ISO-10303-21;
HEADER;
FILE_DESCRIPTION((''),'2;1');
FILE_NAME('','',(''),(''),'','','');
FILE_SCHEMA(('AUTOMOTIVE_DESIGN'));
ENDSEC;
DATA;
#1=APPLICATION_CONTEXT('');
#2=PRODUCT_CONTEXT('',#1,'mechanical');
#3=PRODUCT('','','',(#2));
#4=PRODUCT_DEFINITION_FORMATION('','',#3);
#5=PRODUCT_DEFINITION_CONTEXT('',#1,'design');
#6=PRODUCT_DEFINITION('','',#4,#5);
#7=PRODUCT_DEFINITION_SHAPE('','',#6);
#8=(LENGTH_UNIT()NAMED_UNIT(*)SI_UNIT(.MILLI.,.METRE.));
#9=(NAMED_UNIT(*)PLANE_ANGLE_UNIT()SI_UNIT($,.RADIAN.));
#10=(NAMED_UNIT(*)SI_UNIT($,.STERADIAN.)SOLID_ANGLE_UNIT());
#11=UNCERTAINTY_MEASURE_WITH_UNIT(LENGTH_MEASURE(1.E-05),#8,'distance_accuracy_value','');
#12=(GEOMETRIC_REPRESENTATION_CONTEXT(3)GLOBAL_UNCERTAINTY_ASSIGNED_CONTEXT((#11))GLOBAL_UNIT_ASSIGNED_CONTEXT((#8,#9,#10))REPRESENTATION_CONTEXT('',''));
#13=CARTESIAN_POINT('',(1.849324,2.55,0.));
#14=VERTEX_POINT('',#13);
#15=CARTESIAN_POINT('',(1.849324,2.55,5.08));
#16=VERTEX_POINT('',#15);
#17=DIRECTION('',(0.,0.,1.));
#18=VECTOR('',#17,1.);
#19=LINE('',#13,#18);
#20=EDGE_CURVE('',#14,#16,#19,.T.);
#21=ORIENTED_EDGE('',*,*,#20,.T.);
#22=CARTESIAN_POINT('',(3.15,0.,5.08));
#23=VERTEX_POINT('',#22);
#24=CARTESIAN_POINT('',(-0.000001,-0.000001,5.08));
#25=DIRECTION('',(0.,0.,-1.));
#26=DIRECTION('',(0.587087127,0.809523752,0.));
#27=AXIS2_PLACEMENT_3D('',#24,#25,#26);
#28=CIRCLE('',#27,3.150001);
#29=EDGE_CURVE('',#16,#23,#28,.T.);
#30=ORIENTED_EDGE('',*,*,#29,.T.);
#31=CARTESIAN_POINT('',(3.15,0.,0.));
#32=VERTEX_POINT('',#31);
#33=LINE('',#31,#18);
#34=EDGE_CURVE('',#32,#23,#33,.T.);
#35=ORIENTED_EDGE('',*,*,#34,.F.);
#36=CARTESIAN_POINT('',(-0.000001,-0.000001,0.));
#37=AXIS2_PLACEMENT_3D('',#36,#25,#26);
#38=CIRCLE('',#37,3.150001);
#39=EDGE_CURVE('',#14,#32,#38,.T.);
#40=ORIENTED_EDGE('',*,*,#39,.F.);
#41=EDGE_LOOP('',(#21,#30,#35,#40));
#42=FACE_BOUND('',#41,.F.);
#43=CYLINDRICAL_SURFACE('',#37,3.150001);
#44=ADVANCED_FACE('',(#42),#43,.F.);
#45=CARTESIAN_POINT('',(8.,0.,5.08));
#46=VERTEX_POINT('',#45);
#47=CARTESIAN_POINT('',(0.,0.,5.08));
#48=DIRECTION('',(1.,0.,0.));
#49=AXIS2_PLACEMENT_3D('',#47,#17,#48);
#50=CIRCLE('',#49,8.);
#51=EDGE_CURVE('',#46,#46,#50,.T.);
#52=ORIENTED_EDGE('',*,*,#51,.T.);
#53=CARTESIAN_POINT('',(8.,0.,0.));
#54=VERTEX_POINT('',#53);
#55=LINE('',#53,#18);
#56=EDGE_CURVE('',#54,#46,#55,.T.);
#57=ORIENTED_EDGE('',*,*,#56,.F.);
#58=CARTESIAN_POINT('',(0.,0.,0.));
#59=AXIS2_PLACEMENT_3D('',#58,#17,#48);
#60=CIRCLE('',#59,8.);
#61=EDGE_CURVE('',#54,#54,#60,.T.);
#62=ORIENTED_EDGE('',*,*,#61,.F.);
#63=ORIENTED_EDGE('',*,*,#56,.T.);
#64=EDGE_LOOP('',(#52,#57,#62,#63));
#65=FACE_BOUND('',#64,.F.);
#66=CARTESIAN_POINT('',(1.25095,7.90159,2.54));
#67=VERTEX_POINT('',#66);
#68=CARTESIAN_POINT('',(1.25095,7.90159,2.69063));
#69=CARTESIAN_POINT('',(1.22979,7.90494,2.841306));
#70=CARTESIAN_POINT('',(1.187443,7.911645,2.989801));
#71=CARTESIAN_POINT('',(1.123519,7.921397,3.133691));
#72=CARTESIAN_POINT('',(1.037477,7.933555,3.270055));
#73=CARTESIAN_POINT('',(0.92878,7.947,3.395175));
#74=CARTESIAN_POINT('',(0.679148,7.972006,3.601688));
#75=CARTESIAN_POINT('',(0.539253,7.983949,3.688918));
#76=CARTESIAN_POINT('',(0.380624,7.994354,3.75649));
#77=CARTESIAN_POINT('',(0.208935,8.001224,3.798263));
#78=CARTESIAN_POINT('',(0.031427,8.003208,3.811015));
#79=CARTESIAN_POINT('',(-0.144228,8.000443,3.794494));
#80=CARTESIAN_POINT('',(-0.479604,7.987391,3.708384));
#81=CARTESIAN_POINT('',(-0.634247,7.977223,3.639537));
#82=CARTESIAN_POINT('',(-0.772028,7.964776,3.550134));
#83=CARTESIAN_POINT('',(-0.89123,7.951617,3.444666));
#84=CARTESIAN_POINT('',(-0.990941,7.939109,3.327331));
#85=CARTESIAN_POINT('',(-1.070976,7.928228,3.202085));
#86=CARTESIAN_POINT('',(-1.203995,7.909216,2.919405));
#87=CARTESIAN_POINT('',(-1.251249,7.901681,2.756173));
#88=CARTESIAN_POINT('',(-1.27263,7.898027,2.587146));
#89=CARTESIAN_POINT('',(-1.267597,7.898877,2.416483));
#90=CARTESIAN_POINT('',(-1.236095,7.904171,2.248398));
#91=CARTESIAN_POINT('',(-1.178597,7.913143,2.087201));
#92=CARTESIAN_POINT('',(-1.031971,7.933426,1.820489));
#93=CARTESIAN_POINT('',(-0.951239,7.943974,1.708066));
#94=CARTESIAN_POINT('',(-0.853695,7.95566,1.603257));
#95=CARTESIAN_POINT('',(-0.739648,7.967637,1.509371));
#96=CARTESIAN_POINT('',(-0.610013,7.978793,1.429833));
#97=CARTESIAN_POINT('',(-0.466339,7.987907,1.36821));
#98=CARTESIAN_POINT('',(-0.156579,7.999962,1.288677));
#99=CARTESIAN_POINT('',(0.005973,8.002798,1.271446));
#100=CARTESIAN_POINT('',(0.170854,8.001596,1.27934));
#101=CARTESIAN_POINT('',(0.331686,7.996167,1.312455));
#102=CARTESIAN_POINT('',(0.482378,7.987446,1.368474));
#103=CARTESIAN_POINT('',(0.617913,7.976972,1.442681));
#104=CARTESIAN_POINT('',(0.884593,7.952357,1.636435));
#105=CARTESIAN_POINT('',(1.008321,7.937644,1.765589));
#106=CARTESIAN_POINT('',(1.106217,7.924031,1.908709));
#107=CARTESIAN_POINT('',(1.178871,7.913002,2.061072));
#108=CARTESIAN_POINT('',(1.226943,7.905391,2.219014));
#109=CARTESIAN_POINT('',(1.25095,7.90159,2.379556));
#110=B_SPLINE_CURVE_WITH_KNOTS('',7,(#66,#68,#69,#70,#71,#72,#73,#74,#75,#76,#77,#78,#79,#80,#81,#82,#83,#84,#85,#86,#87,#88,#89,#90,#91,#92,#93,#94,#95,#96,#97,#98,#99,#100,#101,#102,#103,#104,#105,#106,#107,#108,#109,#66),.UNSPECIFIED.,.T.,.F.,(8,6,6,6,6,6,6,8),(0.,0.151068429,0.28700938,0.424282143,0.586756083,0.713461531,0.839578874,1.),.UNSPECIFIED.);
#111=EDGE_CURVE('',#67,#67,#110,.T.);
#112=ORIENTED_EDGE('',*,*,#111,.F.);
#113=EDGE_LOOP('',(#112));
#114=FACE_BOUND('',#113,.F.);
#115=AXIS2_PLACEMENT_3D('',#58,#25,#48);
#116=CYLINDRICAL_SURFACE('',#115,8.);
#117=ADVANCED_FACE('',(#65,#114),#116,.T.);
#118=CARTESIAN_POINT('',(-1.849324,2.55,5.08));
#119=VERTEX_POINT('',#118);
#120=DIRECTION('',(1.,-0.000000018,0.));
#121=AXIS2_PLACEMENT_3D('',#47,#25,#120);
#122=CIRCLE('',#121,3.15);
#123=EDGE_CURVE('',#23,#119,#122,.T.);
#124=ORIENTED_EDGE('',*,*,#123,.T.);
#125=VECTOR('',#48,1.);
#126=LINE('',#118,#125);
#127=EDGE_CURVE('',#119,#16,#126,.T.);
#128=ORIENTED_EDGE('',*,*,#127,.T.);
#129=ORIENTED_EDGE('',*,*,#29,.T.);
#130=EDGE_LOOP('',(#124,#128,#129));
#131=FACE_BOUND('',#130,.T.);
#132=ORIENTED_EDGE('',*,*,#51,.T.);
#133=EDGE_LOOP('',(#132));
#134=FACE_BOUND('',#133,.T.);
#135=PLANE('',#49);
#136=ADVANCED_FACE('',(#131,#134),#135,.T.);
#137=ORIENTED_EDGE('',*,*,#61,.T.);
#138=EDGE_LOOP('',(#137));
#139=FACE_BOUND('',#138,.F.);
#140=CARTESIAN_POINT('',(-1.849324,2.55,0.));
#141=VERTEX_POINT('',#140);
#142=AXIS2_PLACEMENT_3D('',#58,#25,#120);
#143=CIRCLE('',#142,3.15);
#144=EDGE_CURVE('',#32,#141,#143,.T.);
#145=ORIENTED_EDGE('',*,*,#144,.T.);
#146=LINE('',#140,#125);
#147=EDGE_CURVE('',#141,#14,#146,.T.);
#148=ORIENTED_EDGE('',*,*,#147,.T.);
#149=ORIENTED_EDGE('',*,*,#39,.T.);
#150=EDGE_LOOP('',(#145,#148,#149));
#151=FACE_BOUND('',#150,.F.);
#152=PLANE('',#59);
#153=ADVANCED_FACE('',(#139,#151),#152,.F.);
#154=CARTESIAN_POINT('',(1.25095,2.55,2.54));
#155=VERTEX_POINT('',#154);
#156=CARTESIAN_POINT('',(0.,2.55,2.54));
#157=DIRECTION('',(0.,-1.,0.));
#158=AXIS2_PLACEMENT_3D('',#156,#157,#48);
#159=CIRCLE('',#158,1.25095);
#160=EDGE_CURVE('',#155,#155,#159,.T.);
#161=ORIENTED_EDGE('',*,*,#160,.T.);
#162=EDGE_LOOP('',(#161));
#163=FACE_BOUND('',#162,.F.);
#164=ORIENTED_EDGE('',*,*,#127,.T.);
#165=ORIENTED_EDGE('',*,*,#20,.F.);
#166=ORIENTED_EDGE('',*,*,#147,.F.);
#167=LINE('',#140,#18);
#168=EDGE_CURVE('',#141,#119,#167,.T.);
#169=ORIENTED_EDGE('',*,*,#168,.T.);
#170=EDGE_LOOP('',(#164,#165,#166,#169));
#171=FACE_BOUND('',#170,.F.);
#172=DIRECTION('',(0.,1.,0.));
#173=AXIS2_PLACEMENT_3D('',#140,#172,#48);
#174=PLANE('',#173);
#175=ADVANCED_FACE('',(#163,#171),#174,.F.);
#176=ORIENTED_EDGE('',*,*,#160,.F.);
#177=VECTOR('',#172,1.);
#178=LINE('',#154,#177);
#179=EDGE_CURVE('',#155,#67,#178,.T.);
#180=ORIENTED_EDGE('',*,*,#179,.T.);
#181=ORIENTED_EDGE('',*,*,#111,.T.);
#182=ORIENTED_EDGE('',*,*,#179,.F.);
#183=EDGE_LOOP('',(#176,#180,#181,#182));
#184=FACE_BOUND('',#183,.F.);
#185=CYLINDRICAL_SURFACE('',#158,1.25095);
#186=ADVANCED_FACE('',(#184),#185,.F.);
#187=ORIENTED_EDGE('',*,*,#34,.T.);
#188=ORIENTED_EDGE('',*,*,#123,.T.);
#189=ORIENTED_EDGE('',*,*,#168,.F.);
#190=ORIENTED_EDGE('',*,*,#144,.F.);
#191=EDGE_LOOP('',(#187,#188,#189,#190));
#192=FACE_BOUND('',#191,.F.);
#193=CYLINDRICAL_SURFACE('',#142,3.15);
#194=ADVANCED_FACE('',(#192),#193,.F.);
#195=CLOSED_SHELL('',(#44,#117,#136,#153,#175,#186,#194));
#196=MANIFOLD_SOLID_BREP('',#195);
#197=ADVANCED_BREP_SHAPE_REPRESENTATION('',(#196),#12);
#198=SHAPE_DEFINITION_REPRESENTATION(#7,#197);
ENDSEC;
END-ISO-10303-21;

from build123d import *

# Parameters (mm, degrees)
F0_R     = 8
F1_DEPTH = 5.08
F2_R     = 1.25095
F3_DEPTH = 25.4


with BuildPart() as f1:
    # F0 (on Top) → F1 (new body)
    with BuildSketch(Plane.XY):
        Circle(F0_R)
        with BuildLine():
            ThreePointArc((1.849324, 2.55), (2.806053, 1.431281), (3.15, 0))
            ThreePointArc((3.15, 0), (-1.431281, -2.806053), (-1.849324, 2.55))
            ThreePointArc((-1.849324, 2.55), (0, 3.15), (1.849324, 2.55))
        make_face(mode=Mode.SUBTRACT)
        with BuildLine():
            Line((0, 2.55), (1.849324, 2.55))
            ThreePointArc((1.849324, 2.55), (0, 3.15), (-1.849324, 2.55))
            Line((-1.849324, 2.55), (0, 2.55))
        make_face()
    extrude(amount=F1_DEPTH)

    # F2 (on face) → F3 (cut)
    with BuildSketch(Plane.XZ.offset(-2.55)):
        with Locations((0, 2.54)):
            Circle(F2_R)
    extrude(amount=-F3_DEPTH, mode=Mode.SUBTRACT)


solid = f1.part
